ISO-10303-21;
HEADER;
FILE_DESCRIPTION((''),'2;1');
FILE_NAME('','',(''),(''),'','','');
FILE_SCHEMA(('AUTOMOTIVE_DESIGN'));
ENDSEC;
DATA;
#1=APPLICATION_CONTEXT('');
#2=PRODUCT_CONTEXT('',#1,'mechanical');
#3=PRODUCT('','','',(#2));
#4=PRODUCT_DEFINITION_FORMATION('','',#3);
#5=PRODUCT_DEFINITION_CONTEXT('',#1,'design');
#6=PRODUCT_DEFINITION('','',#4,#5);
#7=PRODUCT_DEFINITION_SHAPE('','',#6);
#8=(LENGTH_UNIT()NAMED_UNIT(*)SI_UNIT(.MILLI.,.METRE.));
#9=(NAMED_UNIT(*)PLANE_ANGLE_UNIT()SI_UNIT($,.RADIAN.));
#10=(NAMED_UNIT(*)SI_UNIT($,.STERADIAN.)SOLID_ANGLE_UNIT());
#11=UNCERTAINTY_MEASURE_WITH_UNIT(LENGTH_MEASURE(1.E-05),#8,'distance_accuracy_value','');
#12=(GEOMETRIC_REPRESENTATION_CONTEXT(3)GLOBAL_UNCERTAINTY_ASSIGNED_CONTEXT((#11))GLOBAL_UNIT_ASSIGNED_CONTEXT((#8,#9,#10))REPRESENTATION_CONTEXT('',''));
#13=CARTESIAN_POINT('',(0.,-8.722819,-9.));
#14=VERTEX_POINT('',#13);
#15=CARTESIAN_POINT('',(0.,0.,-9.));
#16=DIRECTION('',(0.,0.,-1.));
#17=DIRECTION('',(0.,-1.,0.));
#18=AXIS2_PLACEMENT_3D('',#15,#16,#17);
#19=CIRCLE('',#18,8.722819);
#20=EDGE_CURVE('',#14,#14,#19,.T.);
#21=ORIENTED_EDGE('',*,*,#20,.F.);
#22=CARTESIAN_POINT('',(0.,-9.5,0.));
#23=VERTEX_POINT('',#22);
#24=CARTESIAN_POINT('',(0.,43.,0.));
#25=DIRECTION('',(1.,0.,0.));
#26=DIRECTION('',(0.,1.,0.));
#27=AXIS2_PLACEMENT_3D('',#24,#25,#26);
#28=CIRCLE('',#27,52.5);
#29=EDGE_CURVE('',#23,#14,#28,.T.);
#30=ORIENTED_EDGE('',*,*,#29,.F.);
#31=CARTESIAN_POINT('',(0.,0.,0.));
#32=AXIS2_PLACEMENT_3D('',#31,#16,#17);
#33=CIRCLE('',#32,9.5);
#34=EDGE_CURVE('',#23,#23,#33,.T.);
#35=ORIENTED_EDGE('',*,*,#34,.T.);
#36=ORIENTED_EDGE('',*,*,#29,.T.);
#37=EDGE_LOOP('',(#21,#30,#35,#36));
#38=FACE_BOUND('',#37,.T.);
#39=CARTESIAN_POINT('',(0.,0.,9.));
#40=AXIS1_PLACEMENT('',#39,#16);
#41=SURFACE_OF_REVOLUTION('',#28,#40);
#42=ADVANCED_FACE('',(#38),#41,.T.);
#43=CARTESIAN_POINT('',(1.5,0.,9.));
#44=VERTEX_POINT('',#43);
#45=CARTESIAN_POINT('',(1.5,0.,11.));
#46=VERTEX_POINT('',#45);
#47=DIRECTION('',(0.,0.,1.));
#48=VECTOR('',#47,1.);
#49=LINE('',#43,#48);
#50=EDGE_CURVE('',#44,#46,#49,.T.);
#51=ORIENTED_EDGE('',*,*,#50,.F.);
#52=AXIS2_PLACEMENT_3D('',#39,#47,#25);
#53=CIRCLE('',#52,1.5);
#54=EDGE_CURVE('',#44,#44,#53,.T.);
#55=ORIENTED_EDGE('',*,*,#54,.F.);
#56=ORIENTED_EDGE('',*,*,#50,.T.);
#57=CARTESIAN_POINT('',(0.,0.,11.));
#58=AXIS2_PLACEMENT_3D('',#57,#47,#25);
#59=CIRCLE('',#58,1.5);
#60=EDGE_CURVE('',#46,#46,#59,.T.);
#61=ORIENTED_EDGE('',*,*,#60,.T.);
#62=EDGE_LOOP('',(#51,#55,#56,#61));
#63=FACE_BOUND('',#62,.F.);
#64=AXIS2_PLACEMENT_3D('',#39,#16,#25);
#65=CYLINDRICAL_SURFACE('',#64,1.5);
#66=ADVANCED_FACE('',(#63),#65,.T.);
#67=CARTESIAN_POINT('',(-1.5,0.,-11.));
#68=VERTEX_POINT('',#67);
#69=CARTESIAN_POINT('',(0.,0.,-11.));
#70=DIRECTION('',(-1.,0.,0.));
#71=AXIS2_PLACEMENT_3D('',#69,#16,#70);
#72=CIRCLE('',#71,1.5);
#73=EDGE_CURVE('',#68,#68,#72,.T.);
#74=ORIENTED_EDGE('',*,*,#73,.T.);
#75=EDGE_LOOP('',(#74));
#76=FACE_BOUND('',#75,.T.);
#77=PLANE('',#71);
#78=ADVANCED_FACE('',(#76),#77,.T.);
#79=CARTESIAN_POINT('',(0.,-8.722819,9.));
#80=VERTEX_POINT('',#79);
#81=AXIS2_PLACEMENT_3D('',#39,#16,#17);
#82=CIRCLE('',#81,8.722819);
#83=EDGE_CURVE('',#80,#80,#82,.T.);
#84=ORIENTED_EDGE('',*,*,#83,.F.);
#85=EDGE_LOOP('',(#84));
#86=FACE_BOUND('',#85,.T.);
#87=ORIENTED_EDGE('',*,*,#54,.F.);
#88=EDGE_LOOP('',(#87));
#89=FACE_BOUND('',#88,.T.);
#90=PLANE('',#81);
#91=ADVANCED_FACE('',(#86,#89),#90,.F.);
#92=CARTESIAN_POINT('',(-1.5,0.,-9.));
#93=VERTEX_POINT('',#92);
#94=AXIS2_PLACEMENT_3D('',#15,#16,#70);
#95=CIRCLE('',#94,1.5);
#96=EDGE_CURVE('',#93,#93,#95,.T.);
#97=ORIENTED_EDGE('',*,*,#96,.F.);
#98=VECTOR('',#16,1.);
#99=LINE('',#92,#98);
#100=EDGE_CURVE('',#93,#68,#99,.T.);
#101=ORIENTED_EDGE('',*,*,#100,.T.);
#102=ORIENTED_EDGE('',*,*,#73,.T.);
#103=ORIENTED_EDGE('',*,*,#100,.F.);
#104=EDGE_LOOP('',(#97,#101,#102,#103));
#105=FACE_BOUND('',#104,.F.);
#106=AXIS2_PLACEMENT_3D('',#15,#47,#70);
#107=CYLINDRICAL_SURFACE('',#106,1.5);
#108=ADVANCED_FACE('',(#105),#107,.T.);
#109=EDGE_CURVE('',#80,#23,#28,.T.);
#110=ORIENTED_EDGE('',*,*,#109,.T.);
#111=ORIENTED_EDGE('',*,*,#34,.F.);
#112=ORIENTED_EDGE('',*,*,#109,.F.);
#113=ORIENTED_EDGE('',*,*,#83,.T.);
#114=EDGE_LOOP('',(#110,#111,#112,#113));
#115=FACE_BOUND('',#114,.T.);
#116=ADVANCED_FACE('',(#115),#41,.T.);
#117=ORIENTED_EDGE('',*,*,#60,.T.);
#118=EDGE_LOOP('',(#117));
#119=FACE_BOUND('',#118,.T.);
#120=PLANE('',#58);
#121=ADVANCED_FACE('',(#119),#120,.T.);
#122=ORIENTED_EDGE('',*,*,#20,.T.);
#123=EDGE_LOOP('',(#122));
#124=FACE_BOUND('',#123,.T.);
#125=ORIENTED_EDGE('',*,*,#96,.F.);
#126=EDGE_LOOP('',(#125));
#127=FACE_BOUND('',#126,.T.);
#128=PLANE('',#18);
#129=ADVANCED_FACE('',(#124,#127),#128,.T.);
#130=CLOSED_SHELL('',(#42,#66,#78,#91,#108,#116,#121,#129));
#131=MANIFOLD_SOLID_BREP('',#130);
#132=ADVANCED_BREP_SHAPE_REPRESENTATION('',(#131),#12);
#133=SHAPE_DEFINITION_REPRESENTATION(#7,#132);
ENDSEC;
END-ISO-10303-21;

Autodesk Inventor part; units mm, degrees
ref_plane "YZ Plane" through (0, 0, 0) normal (1, 0, 0) x (0, 1, 0)
ref_plane "XZ Plane" through (0, 0, 0) normal (0, 1, 0) x (-1, 0, 0)
ref_plane "XY Plane" through (0, 0, 0) normal (0, 0, 1) x (1, 0, 0)
sketch "スケッチ1" plane through (0, 0, 0) normal (1, 0, 0) x (0, 1, 0)
  line L0 (-9.5, -9) -> (9.5, -9)
  line L1 (9.5, -9) -> (9.5, 9)
  line L2 (9.5, 9) -> (-9.5, 9)
  line L3 (-9.5, 9) -> (-9.5, -9)
  line L4 (-9.5, -9) -> (9.5, 9) construction
  line L5 (9.5, -9) -> (-9.5, 9) construction
  circle A0 centre (-43, 0) radius 52.5
  line L6 (0, 0) -> (-43, 0) construction
  circle A1 centre (43, 0) radius 52.5
  line L7 (0, 9) -> (0, -9)
  point P0 (9.5, 0)
  point P1 (-9.5, 0)
  point P2 (-8.7228, 9)
  point P3 (-8.7228, -9)
  dimension "d2" = 105
  dimension "d3" = 105
  dimension "d0" = 19
  dimension "d1" = 18
revolve "回転1" add sketch "スケッチ1" angle 360 about axis through (0, 0, 9) along (0, 0, -1) contours A1 L2 L7 L0
sketch "スケッチ2" plane through (0, 0, 9) normal (0, 0, 1) x (1, 0, 0)
  circle A0 centre (0, 0) radius 1.5
  dimension "d5" = 3
sketch "スケッチ3" plane through (0, 0, -9) normal (0, 0, -1) x (-1, 0, 0)
  circle A0 centre (0, 0) radius 1.5
  dimension "d6" = 3
extrude "押し出し1" add sketch "スケッチ2" along normal blind 2
extrude "押し出し2" add sketch "スケッチ3" along normal blind 2
equation "\"d3\" = d2"
properties part number "omuni_rubber" material "ゴム"
